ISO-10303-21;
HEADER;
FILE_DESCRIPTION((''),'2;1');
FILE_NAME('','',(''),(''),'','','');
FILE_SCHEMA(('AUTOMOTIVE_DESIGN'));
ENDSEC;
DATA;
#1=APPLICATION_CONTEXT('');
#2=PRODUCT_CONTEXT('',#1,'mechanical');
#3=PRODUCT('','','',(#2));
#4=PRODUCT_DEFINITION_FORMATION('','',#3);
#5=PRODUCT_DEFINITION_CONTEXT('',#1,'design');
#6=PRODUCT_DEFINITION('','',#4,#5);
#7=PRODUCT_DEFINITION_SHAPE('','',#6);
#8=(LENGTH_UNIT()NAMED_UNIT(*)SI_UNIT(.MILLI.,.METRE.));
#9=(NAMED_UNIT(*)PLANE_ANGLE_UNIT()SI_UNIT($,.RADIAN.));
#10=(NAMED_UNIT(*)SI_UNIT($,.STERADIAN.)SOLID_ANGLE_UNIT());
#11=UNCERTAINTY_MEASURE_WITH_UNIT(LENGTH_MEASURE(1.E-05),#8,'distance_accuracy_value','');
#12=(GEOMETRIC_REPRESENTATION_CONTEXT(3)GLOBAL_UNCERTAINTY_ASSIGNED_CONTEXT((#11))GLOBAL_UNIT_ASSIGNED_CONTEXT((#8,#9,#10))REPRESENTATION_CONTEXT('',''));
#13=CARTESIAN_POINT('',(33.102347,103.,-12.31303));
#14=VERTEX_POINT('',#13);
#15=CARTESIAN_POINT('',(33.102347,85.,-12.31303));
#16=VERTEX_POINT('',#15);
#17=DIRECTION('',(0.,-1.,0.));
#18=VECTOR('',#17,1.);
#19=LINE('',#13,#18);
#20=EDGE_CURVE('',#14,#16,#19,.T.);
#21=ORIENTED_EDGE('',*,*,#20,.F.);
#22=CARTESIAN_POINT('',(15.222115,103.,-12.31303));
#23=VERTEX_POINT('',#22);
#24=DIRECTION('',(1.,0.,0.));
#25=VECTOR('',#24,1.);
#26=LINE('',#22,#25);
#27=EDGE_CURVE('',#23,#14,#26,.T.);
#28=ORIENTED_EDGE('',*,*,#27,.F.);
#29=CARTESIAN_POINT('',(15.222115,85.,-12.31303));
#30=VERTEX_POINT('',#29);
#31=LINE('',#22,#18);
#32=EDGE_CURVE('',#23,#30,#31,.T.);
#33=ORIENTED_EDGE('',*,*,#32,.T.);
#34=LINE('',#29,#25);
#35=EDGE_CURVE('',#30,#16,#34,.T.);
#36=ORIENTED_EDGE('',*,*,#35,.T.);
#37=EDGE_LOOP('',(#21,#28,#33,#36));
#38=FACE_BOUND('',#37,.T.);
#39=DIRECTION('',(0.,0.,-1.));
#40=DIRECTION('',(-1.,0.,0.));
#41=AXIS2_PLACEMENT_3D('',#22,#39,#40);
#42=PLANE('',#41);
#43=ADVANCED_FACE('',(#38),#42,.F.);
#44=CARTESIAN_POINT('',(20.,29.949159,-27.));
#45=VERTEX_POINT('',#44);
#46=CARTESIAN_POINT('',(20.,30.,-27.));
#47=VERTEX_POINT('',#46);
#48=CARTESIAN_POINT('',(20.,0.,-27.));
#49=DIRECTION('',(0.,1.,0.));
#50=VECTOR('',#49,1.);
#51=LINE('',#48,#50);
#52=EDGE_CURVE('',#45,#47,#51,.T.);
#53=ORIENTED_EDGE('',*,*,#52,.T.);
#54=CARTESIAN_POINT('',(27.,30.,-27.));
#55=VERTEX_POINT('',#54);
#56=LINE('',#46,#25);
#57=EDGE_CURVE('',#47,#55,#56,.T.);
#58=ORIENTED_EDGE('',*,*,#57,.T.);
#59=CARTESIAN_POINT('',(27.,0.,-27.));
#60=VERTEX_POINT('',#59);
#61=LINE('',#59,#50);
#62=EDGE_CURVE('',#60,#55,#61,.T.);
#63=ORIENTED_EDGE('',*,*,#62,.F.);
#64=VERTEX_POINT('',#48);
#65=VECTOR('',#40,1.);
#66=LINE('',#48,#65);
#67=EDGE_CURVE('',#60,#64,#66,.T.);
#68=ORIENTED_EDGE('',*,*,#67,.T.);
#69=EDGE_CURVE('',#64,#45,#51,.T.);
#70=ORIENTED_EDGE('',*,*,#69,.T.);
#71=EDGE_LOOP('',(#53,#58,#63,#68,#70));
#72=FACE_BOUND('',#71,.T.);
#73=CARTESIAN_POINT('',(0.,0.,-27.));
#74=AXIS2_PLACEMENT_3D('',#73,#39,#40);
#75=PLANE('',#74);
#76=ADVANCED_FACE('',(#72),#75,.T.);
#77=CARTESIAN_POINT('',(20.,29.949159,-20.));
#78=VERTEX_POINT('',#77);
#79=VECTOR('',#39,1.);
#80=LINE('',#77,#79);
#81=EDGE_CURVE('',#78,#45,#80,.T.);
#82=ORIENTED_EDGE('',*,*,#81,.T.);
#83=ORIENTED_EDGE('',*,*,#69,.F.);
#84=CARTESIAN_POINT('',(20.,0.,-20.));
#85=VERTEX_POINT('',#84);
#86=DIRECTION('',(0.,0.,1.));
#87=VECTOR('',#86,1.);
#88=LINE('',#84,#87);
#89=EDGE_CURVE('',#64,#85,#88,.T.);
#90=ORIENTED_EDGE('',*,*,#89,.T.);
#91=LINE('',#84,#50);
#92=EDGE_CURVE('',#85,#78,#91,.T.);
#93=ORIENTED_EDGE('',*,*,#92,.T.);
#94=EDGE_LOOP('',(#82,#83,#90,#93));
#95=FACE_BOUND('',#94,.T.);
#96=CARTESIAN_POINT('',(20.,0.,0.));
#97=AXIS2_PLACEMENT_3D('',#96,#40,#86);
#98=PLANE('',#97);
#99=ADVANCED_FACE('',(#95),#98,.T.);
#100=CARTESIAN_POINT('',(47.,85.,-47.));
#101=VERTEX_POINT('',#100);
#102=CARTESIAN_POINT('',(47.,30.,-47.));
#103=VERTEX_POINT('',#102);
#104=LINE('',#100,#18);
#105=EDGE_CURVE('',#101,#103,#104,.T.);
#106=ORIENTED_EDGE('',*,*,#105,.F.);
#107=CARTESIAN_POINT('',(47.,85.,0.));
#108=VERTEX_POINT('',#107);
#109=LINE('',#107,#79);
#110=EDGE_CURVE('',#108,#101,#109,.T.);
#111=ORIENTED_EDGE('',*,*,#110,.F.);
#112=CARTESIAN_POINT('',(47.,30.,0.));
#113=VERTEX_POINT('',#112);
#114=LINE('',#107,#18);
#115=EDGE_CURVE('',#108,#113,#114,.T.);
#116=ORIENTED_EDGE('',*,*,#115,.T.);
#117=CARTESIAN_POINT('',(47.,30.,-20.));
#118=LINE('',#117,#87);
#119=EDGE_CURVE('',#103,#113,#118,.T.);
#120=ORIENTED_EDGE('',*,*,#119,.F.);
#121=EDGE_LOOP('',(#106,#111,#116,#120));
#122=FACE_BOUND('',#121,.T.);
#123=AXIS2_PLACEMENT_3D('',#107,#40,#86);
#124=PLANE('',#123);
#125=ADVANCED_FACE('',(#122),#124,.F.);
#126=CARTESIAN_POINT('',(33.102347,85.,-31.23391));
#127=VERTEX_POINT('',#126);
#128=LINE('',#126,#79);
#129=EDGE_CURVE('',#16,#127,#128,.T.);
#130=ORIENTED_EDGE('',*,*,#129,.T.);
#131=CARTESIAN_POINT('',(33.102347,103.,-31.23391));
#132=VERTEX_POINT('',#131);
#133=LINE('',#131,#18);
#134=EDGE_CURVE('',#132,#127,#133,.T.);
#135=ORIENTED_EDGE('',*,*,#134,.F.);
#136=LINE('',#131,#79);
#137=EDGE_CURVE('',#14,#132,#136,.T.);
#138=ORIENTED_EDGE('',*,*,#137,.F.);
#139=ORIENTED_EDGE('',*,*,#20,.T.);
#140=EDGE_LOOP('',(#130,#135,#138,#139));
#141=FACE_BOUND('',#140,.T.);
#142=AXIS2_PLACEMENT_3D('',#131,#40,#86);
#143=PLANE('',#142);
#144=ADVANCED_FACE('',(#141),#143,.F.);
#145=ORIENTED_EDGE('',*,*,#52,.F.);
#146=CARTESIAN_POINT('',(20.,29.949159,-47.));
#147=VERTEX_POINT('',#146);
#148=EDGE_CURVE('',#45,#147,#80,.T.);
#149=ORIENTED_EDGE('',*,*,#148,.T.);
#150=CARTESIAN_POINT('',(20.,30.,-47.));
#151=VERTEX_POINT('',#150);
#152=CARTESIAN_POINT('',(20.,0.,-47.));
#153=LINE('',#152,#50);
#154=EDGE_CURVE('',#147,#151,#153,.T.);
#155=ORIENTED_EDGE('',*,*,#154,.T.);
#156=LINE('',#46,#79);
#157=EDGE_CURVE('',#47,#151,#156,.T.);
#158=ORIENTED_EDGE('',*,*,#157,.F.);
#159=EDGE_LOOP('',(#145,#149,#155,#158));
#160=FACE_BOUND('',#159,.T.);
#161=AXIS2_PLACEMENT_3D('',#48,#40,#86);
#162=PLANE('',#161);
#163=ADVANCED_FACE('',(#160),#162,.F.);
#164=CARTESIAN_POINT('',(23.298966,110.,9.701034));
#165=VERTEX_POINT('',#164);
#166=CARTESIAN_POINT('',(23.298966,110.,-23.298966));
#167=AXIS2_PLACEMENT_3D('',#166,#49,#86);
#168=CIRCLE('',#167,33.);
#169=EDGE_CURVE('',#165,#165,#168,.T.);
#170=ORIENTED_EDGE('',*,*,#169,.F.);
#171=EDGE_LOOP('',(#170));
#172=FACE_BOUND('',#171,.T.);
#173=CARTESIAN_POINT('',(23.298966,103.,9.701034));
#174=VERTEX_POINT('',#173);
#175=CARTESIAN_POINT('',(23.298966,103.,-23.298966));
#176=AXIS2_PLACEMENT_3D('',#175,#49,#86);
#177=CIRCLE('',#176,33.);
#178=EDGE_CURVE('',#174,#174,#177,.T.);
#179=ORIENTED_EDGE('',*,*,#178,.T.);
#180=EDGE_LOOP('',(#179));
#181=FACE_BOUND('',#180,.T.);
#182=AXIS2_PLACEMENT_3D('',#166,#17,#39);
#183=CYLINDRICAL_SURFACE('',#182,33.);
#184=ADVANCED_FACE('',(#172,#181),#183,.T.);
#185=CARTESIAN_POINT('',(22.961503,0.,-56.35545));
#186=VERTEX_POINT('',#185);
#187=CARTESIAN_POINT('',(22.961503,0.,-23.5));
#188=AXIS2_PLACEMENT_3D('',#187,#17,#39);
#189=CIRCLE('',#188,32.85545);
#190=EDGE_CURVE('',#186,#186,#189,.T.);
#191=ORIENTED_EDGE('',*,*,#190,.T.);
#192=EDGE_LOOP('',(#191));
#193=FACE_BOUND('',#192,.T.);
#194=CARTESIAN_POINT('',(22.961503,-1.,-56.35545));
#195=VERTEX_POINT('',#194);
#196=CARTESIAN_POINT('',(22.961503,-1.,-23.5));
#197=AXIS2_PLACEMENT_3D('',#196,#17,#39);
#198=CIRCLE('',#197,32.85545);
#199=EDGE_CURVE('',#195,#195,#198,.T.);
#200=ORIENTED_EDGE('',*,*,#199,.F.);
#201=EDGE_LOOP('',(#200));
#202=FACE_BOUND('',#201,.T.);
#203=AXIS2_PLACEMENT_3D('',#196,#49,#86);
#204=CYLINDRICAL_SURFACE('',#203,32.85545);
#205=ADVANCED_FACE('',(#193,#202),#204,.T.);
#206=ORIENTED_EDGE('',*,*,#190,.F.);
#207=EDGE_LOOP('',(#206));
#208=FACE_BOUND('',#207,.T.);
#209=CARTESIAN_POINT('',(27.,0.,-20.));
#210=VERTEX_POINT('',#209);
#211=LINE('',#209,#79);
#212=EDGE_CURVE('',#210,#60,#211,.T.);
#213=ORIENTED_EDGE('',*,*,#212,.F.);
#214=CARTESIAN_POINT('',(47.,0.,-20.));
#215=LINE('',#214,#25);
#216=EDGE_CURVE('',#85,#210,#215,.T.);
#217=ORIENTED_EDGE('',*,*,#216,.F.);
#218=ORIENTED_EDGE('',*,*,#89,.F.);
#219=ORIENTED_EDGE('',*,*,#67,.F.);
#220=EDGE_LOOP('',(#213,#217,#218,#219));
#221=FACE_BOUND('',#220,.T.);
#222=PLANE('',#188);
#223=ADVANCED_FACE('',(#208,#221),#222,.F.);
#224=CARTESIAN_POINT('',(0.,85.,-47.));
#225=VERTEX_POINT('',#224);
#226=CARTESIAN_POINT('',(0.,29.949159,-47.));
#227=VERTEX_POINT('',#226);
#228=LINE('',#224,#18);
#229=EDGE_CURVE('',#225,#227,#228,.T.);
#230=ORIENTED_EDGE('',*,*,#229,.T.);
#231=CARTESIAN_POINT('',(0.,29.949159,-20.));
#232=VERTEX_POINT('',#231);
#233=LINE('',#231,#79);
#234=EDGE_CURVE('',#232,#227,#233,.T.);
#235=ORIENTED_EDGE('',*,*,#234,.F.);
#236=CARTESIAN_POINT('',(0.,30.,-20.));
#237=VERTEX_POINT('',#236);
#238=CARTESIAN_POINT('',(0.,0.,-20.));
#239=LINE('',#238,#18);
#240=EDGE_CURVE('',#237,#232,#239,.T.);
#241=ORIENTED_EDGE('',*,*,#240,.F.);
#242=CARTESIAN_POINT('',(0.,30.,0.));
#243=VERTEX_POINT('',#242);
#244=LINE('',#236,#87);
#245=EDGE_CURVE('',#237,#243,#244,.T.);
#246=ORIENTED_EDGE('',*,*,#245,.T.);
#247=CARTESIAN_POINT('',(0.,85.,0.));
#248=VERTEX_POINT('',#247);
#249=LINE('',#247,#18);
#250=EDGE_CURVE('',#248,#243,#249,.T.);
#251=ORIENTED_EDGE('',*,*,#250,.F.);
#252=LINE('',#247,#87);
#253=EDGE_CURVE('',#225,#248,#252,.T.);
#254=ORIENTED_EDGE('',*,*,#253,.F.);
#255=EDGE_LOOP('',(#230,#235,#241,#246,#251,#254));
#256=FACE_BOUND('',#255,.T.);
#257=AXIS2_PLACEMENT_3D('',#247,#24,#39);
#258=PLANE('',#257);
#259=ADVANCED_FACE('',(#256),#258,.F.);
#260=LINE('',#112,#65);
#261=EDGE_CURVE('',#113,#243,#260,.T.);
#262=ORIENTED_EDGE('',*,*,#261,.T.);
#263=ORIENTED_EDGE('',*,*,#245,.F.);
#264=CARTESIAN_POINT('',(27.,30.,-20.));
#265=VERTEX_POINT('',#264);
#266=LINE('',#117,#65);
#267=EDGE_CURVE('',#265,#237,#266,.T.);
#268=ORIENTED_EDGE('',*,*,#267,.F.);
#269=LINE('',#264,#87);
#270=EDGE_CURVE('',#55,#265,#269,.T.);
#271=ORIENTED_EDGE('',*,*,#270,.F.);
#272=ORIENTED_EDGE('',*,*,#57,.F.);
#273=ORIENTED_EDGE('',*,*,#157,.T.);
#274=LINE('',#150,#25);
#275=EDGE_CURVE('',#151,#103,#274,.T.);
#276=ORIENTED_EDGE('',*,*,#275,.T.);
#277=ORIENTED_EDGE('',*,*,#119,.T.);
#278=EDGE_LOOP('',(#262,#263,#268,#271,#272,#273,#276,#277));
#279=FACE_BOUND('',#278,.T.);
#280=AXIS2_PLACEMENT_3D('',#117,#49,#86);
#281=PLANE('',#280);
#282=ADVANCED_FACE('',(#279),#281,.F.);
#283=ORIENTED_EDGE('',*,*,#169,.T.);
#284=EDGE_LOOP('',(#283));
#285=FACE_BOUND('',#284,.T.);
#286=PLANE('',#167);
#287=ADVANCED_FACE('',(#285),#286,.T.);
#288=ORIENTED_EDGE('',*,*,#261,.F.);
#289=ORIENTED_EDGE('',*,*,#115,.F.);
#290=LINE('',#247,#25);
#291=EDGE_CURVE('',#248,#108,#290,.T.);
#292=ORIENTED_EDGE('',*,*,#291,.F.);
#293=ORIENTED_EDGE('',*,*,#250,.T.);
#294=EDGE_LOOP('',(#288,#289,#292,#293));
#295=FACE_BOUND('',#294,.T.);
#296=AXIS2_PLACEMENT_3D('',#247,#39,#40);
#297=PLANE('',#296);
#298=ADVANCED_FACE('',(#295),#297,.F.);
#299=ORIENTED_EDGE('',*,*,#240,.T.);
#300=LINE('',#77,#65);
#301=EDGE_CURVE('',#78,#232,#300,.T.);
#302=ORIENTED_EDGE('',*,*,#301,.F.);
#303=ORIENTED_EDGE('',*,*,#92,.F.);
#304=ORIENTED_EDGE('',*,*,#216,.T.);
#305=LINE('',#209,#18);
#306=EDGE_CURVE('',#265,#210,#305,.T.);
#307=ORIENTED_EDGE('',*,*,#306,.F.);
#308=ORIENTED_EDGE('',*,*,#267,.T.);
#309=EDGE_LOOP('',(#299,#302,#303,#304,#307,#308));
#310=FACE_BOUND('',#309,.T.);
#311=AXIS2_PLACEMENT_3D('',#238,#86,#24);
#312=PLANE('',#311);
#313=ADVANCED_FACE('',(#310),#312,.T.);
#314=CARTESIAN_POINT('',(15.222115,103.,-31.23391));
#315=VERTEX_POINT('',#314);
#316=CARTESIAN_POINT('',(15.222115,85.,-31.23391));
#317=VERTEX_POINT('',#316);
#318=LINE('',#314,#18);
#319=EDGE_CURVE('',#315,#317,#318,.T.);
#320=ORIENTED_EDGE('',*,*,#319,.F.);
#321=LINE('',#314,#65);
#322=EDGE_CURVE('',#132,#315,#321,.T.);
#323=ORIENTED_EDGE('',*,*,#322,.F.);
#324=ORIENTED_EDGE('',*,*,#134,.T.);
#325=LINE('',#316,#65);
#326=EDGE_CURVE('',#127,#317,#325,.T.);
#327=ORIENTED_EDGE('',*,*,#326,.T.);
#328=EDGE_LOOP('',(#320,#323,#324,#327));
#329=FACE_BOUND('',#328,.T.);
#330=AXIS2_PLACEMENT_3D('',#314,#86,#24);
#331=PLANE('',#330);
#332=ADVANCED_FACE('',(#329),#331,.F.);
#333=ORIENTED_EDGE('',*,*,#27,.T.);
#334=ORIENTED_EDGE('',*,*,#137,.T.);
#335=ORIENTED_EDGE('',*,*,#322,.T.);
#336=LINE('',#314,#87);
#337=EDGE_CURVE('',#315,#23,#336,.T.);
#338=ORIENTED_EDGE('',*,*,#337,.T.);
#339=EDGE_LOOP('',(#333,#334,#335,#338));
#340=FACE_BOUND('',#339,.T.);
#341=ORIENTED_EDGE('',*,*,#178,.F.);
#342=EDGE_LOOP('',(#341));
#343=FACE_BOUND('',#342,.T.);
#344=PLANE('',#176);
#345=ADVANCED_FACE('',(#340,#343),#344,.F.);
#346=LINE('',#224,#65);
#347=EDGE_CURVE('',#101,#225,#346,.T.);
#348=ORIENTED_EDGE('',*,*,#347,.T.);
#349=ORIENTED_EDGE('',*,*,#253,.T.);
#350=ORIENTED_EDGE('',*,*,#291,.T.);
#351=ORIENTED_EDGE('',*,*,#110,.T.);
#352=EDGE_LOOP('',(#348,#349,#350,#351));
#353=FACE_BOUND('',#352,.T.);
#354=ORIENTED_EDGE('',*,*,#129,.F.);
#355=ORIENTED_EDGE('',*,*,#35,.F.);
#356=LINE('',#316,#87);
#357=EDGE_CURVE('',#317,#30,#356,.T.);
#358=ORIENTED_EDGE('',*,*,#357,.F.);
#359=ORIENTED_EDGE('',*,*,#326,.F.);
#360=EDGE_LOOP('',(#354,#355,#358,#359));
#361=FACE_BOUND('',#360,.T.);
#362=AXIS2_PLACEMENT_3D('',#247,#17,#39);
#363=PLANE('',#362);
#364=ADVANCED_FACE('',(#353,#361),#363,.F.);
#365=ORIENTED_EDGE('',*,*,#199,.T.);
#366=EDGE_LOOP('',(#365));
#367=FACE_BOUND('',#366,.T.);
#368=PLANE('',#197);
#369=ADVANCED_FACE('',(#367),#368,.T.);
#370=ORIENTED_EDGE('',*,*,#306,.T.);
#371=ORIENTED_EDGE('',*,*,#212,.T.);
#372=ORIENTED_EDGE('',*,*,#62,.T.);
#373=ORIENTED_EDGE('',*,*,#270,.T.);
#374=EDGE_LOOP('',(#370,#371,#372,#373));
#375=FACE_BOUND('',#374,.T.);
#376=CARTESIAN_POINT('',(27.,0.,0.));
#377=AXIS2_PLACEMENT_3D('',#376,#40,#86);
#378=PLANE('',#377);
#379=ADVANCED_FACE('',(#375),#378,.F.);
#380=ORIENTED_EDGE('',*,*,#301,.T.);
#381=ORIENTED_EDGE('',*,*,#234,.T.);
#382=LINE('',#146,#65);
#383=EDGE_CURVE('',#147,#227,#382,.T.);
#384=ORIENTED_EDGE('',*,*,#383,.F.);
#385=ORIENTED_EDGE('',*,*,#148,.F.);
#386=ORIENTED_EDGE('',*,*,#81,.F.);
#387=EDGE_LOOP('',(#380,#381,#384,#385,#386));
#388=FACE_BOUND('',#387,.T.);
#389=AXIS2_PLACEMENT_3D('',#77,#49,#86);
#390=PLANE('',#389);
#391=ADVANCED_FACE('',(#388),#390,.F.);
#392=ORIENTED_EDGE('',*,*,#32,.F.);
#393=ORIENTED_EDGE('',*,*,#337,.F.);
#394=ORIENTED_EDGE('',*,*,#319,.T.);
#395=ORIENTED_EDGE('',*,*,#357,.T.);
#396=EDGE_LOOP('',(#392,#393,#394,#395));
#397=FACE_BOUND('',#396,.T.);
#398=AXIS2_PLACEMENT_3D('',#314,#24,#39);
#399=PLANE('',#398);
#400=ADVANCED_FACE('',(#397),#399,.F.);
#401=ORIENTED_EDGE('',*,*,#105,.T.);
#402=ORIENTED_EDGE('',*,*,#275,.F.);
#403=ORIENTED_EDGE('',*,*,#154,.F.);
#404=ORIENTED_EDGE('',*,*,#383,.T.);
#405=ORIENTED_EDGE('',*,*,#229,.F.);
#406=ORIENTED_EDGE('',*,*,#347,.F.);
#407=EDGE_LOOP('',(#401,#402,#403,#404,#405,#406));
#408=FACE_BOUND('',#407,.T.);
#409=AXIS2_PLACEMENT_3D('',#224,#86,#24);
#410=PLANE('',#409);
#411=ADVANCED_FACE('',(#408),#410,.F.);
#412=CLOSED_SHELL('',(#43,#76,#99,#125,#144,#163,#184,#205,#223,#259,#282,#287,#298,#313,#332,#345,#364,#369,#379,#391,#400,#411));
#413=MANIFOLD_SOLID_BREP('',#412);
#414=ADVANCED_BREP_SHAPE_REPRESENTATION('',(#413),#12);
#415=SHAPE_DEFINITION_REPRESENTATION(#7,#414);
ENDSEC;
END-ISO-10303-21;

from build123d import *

# Parameters (mm, degrees)
SKETCH1_W           = 47
SKETCH1_H           = 47
BOSS_EXTRUDE1_DEPTH = 85
SKETCH2_W           = 47
SKETCH2_H           = 30
CUT_EXTRUDE1_DEPTH  = 20
SKETCH3_W           = 27
SKETCH3_H           = 29.949158553
CUT_EXTRUDE2_DEPTH  = 20
SKETCH4_W           = 27
SKETCH4_H           = 30
CUT_EXTRUDE3_DEPTH  = 20
SKETCH5_W           = 7
SKETCH5_H           = 30
CUT_EXTRUDE4_DEPTH  = 20
SKETCH6_W           = 17.880231582
SKETCH6_H           = 18.920879981
BOSS_EXTRUDE2_DEPTH = 18
SKETCH7_R           = 33
BOSS_EXTRUDE4_DEPTH = 7
SKETCH9_R           = 32.855450218
BOSS_EXTRUDE5_DEPTH = 1


with BuildPart() as part:
    # Sketch1 → Boss-Extrude1 (new body)
    with BuildSketch(Plane(origin=(0, 0, 0), x_dir=(1, 0, 0), z_dir=(0, 1, 0))):
        with Locations((23.5, 23.5)):
            Rectangle(SKETCH1_W, SKETCH1_H)
    extrude(amount=BOSS_EXTRUDE1_DEPTH)

    # Sketch2 → Cut-Extrude1 (cut)
    with BuildSketch(Plane.XY):
        with Locations((23.5, 15)):
            Rectangle(SKETCH2_W, SKETCH2_H)
    extrude(amount=-CUT_EXTRUDE1_DEPTH, mode=Mode.SUBTRACT)

    # Sketch3 → Cut-Extrude2 (cut)
    with BuildSketch(Plane.ZY):
        with Locations((-33.5, 14.974579277)):
            Rectangle(SKETCH3_W, SKETCH3_H)
    extrude(amount=-CUT_EXTRUDE2_DEPTH, mode=Mode.SUBTRACT)

    # Sketch4 → Cut-Extrude3 (cut)
    with BuildSketch(Plane(origin=(0, 0, -47), x_dir=(-1, 0, 0), z_dir=(0, 0, -1))):
        with Locations((-33.5, 15)):
            Rectangle(SKETCH4_W, SKETCH4_H)
    extrude(amount=-CUT_EXTRUDE3_DEPTH, mode=Mode.SUBTRACT)

    # Sketch5 → Cut-Extrude4 (cut)
    with BuildSketch(Plane(origin=(47, 0, 0), x_dir=(0, 0, -1), z_dir=(1, 0, 0))):
        with Locations((23.5, 15)):
            Rectangle(SKETCH5_W, SKETCH5_H)
    extrude(amount=-CUT_EXTRUDE4_DEPTH, mode=Mode.SUBTRACT)

    # Sketch6 → Boss-Extrude2 (add)
    with BuildSketch(Plane(origin=(0, 85, 0), x_dir=(1, 0, 0), z_dir=(0, 1, 0))):
        with Locations((24.162230799, 21.773469702)):
            Rectangle(SKETCH6_W, SKETCH6_H)
    extrude(amount=BOSS_EXTRUDE2_DEPTH)

    # Sketch7 → Boss-Extrude4 (add)
    with BuildSketch(Plane(origin=(0, 103, 0), x_dir=(1, 0, 0), z_dir=(0, 1, 0))):
        with Locations((23.29896565, 23.29896565)):
            Circle(SKETCH7_R)
    extrude(amount=BOSS_EXTRUDE4_DEPTH)

    # Sketch9 → Boss-Extrude5 (add)
    with BuildSketch(Plane.XZ):
        with Locations((22.961502761, -23.5)):
            Circle(SKETCH9_R)
    extrude(amount=BOSS_EXTRUDE5_DEPTH)


solid = part.part
